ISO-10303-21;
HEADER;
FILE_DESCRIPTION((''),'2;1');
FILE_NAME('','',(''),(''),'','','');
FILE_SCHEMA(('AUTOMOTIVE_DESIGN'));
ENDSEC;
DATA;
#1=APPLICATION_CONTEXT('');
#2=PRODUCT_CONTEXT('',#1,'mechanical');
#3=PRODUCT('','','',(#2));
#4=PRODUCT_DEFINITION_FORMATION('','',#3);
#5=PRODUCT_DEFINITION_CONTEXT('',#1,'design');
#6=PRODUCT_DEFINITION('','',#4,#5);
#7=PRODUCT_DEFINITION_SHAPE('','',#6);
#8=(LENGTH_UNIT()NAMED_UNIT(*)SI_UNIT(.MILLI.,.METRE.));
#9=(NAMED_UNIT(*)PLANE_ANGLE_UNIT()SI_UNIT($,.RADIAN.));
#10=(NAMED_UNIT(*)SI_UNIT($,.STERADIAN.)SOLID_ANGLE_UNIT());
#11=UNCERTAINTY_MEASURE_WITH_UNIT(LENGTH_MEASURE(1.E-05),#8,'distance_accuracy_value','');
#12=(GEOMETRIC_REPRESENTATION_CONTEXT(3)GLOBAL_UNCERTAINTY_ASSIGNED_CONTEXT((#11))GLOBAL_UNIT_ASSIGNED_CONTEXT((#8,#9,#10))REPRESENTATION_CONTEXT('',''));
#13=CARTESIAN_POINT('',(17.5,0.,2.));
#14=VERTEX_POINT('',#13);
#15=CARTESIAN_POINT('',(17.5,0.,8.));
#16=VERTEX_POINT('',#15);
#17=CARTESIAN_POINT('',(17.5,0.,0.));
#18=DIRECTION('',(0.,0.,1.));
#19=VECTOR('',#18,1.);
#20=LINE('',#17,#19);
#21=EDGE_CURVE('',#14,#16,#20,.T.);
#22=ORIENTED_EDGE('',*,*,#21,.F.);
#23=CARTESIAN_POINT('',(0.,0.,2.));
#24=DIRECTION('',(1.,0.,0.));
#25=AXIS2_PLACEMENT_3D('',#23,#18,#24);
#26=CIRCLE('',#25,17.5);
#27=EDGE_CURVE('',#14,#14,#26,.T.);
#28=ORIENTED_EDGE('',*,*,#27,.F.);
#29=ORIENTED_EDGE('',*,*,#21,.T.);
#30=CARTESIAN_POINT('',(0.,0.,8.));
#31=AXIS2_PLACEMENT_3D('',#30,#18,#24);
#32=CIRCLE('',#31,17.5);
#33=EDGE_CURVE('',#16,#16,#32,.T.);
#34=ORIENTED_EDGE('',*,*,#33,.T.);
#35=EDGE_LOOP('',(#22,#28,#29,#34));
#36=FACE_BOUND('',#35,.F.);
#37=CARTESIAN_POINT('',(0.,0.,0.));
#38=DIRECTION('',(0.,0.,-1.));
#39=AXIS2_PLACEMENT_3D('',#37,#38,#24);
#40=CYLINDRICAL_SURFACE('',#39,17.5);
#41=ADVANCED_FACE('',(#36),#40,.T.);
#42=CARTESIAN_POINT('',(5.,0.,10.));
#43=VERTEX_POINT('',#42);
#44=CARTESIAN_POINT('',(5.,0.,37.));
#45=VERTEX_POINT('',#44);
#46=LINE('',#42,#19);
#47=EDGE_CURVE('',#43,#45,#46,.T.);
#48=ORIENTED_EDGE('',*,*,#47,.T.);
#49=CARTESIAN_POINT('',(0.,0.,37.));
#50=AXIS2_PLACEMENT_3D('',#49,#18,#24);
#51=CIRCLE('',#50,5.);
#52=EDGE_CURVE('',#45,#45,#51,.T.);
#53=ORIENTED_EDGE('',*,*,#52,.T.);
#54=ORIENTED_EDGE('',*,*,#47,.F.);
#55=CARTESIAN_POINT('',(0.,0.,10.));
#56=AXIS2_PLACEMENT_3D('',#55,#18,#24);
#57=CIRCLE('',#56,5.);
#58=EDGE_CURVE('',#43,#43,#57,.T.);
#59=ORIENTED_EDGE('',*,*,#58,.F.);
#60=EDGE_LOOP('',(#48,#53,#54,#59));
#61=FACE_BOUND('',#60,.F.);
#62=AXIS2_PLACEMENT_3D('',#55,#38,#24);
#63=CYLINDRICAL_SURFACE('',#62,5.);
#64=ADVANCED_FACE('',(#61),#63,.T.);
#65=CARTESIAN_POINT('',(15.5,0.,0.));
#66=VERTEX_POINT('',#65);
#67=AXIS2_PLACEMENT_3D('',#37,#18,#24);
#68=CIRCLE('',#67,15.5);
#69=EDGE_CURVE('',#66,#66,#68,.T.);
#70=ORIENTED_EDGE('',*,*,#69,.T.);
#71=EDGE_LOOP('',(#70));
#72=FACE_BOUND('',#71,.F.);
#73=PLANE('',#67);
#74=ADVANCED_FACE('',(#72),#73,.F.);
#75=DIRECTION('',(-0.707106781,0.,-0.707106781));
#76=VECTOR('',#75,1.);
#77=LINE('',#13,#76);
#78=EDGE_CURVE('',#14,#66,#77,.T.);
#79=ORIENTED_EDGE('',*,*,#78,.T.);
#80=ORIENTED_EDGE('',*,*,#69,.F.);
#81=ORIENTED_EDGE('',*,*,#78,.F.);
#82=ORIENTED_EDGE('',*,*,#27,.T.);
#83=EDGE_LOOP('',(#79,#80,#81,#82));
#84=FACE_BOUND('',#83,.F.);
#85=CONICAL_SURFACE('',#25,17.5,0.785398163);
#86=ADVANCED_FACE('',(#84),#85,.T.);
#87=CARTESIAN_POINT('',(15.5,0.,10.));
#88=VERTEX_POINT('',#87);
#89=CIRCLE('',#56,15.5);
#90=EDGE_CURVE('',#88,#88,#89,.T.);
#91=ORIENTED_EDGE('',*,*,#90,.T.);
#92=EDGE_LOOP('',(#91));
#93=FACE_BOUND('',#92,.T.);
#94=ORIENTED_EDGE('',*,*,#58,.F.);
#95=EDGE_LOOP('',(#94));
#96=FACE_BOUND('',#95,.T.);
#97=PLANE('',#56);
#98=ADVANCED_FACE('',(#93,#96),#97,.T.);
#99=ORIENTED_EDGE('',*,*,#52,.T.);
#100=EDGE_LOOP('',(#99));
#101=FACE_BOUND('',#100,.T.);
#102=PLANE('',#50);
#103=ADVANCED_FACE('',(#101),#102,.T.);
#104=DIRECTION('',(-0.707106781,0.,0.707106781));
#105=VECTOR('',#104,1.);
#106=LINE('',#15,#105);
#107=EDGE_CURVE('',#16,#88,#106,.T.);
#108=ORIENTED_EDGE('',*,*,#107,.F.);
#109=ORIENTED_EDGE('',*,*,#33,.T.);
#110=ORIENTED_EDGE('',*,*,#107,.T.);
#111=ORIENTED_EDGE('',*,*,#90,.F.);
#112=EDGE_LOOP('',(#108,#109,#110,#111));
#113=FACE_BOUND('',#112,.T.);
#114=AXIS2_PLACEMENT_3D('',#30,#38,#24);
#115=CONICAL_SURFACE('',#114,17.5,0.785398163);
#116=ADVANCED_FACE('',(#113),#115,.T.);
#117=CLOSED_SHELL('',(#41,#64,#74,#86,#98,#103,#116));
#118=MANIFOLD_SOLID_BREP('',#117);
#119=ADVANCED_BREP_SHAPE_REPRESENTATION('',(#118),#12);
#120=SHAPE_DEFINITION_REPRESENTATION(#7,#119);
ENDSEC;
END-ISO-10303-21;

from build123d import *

# Parameters (mm, degrees)
F0_R     = 17.5
F1_DEPTH = 10
F2_R     = 5
F3_DEPTH = 27
F4_SIZE  = 2


with BuildPart() as f1:
    # F0 (on Top) → F1 (new body)
    with BuildSketch(Plane.XY):
        Circle(F0_R)
    extrude(amount=F1_DEPTH)

    # F2 (on face) → F3 (join)
    with BuildSketch(Plane.XY.offset(10)):
        Circle(F2_R)
    extrude(amount=F3_DEPTH)

    # F4
    f4_edges = [f1.edges().sort_by_distance(p)[0] for p in [
        (-17.5, 0, 10),
        (-17.5, 0, 0),
    ]]
    chamfer(f4_edges, length=F4_SIZE)


solid = f1.part
